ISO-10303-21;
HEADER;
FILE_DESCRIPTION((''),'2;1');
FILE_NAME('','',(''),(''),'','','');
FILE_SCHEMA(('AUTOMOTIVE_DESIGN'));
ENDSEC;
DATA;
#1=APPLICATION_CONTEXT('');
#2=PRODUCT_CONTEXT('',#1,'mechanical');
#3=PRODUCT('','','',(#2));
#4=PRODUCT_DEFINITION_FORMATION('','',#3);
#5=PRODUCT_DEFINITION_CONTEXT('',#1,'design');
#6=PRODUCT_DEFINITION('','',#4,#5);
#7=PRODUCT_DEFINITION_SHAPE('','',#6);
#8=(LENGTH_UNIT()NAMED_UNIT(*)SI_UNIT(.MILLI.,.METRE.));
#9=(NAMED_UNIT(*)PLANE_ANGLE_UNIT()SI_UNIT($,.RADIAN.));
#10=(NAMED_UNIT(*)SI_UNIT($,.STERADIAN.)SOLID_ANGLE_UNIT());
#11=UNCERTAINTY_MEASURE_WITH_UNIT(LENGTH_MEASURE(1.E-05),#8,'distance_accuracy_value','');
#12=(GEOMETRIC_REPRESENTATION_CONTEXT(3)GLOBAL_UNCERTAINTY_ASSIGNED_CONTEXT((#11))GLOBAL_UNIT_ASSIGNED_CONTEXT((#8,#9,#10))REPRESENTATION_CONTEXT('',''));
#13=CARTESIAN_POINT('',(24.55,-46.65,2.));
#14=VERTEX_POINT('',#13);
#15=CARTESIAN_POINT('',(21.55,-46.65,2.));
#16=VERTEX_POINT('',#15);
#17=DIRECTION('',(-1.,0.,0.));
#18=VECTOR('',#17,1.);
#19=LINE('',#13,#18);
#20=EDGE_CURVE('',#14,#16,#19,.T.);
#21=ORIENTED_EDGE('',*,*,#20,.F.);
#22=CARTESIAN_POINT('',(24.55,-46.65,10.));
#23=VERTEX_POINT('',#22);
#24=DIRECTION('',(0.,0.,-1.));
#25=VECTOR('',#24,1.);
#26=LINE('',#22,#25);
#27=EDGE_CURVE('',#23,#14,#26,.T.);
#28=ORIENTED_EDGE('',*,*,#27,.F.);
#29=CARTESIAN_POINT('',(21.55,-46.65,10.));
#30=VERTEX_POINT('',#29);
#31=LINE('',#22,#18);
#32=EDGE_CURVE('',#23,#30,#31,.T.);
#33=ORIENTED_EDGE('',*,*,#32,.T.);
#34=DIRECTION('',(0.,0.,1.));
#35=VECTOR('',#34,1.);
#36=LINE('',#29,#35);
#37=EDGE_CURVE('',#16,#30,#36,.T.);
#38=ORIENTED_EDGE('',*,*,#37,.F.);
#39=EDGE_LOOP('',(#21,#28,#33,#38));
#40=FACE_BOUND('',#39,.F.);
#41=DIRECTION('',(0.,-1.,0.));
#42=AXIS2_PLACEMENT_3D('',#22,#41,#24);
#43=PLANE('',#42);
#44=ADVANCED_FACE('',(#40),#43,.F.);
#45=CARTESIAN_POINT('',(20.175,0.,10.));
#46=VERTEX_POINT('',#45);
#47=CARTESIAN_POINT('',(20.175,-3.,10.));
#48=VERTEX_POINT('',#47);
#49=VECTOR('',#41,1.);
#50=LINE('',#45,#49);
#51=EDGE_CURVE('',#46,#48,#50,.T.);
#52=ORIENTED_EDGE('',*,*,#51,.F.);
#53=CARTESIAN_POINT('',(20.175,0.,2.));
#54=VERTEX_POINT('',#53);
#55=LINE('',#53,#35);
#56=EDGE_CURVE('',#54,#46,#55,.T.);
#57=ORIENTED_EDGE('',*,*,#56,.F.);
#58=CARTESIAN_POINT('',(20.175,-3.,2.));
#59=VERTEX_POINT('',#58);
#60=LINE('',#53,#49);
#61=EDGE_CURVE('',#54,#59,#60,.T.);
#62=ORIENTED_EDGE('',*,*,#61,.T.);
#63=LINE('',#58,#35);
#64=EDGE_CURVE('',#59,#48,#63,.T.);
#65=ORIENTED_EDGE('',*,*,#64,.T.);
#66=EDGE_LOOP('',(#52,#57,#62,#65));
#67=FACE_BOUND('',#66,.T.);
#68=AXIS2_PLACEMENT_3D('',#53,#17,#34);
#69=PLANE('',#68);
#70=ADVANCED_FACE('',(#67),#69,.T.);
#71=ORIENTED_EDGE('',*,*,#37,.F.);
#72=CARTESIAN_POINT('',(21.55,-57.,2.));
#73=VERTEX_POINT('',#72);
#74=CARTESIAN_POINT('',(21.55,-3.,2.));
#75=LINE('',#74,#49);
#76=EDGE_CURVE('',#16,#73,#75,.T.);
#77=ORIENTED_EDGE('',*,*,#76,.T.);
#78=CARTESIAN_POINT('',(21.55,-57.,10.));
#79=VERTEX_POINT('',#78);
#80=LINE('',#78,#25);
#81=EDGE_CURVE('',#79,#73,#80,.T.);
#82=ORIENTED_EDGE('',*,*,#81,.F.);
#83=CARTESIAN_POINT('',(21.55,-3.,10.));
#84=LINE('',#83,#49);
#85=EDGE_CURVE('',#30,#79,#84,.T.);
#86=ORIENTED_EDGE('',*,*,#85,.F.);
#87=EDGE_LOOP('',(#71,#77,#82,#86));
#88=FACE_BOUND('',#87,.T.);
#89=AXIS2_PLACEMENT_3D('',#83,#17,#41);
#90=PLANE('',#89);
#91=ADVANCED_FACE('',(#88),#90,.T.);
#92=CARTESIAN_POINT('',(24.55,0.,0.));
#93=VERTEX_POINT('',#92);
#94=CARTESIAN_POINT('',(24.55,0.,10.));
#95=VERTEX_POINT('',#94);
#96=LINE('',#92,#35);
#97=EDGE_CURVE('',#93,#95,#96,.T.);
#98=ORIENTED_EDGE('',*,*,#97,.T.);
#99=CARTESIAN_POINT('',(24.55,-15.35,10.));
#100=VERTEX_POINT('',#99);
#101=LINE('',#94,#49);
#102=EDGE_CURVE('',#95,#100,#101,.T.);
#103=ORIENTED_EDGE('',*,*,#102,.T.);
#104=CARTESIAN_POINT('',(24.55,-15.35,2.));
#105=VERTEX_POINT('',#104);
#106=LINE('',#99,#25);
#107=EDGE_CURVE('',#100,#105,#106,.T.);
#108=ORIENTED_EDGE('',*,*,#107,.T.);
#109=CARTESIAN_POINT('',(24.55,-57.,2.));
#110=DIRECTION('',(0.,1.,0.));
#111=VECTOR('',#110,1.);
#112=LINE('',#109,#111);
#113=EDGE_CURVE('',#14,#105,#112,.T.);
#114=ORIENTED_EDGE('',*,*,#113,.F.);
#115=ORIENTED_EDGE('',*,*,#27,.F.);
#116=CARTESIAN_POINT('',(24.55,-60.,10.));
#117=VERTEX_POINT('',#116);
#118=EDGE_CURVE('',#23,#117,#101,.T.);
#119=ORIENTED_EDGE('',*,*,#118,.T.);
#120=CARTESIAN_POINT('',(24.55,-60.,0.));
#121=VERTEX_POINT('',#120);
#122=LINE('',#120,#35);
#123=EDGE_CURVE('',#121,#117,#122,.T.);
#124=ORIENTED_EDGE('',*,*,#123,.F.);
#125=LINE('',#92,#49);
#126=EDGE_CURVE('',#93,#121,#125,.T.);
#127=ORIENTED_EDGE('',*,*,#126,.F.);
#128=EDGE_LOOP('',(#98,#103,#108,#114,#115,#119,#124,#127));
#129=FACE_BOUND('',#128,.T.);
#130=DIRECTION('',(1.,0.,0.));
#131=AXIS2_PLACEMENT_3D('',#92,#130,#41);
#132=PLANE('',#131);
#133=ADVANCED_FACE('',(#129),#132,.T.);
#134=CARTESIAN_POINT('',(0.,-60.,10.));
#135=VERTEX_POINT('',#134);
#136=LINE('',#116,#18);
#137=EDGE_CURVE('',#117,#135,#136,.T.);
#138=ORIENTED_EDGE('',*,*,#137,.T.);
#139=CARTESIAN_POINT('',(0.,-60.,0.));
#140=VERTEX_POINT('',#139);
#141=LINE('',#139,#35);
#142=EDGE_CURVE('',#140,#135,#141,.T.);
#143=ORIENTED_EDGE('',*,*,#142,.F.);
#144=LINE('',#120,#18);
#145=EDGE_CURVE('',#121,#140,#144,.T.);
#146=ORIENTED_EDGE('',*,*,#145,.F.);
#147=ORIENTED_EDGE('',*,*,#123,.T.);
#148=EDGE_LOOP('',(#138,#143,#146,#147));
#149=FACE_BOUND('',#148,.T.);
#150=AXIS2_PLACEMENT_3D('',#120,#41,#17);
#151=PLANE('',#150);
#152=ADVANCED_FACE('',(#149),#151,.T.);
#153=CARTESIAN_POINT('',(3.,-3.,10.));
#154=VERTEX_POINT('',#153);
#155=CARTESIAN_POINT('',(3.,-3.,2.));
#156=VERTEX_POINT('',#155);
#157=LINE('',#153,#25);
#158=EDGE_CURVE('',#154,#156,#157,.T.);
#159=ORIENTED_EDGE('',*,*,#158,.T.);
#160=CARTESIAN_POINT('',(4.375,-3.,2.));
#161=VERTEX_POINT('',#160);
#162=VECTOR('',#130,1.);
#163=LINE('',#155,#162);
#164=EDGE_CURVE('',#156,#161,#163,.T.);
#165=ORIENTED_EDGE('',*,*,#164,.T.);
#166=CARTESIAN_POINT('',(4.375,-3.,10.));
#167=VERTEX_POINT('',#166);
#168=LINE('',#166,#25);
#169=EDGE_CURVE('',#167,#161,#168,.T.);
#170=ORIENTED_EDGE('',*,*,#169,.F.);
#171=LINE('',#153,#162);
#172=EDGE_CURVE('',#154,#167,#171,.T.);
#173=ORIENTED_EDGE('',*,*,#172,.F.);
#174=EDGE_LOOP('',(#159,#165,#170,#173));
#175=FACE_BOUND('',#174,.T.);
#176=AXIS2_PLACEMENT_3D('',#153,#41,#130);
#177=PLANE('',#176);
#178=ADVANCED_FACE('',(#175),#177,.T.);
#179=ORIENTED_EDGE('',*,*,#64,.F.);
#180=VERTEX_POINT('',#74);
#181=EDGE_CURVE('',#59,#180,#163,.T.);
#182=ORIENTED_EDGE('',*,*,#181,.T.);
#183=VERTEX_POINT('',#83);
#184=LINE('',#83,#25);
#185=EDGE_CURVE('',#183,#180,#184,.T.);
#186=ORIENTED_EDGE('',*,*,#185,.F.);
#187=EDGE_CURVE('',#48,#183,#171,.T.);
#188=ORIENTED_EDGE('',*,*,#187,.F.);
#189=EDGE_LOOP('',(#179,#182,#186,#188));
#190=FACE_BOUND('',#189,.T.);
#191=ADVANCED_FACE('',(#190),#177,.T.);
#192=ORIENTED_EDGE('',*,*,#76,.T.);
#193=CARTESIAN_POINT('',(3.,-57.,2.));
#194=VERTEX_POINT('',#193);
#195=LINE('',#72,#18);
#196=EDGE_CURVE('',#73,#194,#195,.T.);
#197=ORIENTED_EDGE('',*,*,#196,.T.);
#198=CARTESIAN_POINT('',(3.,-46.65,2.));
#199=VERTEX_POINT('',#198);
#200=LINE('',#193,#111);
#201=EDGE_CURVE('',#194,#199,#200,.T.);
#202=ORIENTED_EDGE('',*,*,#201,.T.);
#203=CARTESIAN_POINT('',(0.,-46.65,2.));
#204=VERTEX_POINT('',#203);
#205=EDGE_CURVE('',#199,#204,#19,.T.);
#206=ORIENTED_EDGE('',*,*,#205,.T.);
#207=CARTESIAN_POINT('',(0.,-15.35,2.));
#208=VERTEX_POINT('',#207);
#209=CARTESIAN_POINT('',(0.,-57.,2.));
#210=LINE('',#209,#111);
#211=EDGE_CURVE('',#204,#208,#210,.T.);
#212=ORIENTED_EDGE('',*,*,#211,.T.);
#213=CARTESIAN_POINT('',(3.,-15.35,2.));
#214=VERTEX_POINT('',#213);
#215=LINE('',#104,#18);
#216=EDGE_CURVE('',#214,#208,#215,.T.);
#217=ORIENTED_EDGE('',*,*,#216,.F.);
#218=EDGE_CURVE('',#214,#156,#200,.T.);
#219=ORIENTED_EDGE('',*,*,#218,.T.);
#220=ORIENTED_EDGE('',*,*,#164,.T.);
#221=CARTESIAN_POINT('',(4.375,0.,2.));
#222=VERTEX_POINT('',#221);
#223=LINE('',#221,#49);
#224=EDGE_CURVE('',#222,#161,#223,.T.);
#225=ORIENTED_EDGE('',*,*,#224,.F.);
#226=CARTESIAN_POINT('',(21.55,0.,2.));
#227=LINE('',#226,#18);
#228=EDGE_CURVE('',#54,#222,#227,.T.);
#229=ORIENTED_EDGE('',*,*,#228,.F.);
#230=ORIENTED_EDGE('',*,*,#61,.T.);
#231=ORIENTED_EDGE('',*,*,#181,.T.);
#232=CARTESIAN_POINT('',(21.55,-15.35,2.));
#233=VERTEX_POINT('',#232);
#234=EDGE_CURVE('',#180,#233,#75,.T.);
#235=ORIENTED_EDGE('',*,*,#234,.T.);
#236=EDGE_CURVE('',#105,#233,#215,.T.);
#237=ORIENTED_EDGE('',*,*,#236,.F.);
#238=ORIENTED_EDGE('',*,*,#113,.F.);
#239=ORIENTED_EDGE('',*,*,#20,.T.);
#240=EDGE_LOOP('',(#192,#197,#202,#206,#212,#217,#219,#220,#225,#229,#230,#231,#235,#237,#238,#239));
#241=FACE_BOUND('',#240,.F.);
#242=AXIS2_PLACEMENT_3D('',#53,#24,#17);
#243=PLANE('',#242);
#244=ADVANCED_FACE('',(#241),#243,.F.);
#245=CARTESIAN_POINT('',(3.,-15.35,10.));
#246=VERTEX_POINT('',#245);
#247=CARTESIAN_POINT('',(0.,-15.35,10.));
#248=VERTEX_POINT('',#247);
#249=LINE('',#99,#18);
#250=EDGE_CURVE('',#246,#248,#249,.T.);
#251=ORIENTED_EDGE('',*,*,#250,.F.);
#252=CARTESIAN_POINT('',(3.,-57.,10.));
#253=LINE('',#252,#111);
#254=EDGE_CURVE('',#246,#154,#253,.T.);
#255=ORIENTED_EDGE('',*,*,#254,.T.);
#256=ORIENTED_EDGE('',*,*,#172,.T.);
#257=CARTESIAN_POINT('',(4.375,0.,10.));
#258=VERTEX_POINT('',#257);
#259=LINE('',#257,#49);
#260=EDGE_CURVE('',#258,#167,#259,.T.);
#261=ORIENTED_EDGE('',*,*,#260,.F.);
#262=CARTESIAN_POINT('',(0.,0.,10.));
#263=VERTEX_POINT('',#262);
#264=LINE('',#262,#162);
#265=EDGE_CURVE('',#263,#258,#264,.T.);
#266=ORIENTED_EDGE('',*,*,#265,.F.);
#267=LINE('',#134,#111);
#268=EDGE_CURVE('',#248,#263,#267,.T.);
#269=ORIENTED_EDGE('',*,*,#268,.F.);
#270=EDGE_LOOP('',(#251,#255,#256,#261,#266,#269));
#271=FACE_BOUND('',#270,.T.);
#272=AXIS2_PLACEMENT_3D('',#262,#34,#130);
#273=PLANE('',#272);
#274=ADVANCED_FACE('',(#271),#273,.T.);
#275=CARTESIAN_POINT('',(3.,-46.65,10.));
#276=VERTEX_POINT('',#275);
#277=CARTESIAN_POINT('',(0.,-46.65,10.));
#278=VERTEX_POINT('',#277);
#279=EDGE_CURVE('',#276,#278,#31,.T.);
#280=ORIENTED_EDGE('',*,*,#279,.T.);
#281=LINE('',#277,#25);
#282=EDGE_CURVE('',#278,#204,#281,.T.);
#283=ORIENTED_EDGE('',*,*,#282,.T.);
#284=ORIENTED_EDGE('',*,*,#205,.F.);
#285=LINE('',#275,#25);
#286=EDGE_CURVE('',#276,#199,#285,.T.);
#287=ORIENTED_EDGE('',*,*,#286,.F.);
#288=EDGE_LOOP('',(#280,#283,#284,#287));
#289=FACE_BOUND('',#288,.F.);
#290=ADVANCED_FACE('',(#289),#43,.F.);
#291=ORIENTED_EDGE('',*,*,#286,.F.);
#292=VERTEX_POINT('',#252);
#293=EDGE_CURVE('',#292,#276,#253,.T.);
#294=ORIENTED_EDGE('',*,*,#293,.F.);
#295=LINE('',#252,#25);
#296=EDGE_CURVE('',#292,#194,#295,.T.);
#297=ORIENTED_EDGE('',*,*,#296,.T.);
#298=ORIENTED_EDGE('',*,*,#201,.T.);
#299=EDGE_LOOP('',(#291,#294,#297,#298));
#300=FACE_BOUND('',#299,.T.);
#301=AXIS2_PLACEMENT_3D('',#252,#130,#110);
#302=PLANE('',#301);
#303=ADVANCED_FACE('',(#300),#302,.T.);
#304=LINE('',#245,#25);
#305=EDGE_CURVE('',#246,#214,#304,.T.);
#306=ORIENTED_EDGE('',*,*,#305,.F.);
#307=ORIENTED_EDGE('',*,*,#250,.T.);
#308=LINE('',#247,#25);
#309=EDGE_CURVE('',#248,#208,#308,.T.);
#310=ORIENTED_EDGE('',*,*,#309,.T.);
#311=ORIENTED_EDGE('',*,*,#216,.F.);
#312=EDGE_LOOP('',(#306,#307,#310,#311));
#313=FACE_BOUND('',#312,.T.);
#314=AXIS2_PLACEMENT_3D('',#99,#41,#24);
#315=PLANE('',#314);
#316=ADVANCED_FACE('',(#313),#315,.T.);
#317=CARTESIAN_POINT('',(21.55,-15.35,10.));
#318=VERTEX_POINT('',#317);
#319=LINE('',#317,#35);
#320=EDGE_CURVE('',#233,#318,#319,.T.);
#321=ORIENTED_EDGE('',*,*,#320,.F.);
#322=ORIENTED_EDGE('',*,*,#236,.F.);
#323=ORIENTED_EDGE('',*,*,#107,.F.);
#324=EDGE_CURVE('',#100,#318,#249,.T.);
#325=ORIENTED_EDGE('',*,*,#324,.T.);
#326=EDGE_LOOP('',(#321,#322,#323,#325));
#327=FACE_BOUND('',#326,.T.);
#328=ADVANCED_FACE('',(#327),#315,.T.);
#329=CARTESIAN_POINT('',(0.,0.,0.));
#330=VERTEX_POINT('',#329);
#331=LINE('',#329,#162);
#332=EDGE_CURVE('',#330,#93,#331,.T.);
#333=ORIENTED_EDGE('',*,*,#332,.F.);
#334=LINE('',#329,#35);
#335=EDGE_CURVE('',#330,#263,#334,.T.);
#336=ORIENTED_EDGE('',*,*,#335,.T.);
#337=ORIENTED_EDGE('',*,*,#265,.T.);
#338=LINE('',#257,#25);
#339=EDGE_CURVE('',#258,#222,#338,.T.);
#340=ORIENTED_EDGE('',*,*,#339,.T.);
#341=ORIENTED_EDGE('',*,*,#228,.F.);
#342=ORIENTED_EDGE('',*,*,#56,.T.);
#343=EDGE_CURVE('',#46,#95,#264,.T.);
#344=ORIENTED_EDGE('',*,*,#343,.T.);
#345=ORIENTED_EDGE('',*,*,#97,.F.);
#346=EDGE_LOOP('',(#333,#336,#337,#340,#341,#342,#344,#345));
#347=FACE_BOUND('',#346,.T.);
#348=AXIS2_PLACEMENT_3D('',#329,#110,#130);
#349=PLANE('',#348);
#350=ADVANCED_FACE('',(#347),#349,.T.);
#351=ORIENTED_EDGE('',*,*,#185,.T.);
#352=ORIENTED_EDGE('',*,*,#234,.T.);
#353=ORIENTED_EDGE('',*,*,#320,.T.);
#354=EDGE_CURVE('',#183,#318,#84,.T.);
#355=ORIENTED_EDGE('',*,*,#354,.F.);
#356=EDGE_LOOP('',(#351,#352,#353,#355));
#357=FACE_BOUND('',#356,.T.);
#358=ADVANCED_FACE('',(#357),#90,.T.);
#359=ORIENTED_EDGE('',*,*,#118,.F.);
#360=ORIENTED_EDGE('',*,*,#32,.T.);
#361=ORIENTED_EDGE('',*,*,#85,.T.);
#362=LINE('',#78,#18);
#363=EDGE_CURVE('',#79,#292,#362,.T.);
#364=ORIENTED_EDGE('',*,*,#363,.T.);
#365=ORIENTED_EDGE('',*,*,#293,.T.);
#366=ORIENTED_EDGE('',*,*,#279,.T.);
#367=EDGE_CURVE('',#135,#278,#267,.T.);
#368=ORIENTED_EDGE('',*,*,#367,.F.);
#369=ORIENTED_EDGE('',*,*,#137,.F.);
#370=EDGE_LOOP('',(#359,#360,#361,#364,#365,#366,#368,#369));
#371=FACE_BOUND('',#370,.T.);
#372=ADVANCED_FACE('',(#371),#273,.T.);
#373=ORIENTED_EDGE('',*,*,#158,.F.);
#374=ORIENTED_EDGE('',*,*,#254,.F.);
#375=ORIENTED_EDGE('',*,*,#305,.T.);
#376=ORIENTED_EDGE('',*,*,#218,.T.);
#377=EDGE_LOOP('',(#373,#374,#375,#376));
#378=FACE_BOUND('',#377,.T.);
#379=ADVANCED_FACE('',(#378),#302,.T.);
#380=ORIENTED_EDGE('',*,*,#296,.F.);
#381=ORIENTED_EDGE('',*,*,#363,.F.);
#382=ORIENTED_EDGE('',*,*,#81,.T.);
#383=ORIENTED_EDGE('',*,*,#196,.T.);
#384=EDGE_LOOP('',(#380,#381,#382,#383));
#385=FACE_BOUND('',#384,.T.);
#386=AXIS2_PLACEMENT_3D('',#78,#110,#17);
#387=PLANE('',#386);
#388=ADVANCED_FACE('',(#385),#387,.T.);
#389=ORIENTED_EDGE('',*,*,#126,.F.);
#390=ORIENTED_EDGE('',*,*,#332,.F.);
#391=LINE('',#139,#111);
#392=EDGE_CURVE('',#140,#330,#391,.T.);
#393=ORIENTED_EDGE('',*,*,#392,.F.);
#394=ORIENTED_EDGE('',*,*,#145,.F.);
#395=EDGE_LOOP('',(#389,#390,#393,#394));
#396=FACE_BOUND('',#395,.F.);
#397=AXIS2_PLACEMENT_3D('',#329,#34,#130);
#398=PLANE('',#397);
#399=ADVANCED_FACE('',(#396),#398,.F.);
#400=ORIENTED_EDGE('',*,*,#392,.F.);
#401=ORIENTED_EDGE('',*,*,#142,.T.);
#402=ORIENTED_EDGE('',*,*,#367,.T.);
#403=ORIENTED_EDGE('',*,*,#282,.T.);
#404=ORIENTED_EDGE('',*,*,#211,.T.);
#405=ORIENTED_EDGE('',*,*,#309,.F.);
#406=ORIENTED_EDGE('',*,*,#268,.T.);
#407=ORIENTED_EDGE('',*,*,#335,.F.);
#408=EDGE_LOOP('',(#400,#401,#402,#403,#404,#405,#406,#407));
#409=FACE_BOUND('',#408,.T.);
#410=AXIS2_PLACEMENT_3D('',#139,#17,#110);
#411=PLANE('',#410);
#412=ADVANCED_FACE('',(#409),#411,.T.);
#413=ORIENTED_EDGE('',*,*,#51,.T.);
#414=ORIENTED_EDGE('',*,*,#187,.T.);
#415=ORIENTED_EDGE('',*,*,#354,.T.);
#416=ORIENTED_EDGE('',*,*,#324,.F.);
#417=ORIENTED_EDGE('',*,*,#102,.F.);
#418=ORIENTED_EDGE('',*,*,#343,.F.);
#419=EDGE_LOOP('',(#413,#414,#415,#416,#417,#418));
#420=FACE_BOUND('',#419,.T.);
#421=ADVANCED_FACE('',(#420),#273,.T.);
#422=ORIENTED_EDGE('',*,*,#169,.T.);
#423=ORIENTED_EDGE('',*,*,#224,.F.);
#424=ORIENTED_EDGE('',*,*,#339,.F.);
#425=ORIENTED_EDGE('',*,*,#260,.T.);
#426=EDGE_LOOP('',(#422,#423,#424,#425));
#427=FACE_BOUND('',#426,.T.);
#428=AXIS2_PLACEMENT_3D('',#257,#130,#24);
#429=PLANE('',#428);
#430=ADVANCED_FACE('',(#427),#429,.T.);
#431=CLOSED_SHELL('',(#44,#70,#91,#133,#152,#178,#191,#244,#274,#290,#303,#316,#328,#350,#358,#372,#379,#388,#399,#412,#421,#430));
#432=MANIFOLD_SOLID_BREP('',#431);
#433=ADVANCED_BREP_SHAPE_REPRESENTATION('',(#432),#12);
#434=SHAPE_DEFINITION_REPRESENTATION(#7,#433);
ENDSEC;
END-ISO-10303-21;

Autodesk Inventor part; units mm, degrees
ref_plane "YZ Plane" through (0, 0, 0) normal (1, 0, 0) x (0, 1, 0)
ref_plane "XZ Plane" through (0, 0, 0) normal (0, 1, 0) x (-1, 0, 0)
ref_plane "XY Plane" through (0, 0, 0) normal (0, 0, 1) x (1, 0, 0)
sketch "Sketch1" plane through (0, 0, 0) normal (0, 0, 1) x (1, 0, 0)
  line L0 (0, 0) -> (24.55, 0)
  line L1 (24.55, 0) -> (24.55, -60)
  line L2 (24.55, -60) -> (0, -60)
  line L3 (0, -60) -> (0, 0)
  dimension "d0" = 24.55
  dimension "d1" = 60
extrude "Extrusion1" add sketch "Sketch1" along normal blind 10
sketch "Sketch2" plane through (0, 0, 10) normal (0, 0, 1) x (1, 0, 0)
  line L0 (24.55, 0) -> (0, 0) projected
  line L1 (3, -3) -> (21.55, -3)
  line L2 (21.55, -3) -> (21.55, -57)
  line L3 (21.55, -57) -> (3, -57)
  line L4 (3, -57) -> (3, -3)
  line L5 (0, -60) -> (24.55, -60) projected
  line L6 (24.55, -60) -> (24.55, 0) projected
  line L7 (0, 0) -> (0, -60) projected
  dimension "d8" = 3
  dimension "d9" = 3
  dimension "d10" = 3
  dimension "d11" = 3
extrude "Extrusion2" cut sketch "Sketch2" against normal blind 8 contours L1 L2 L3 L4
sketch "Sketch3" plane through (24.55, -60, 0) normal (1, 0, 0) x (0, 0, -1)
  line L0 (-10, 44.65) -> (-2, 44.65)
  line L1 (-2, 3) -> (-2, 57) projected
  line L2 (-10, 13.35) -> (-2, 13.35)
  line L3 (-2, 13.35) -> (-2, 44.65)
  line L4 (-10, 13.35) -> (-10, 44.65)
  line L5 (-10, 3) -> (-10, 57) projected
  line L6 (0, 60) -> (-10, 60) projected
  line L7 (0, 0) -> (-10, 0) projected
  dimension "d16" = 8
  dimension "d18" = 15.35
  dimension "d19" = 13.35
extrude "Extrusion3" cut sketch "Sketch3" against normal blind 24.55
sketch "Sketch4" plane through (0, 0, 0) normal (0, 1, 0) x (1, 0, 0)
  line L0 (4.375, -10) -> (4.375, -2)
  line L1 (21.55, -2) -> (3, -2) projected
  line L2 (4.375, -2) -> (20.175, -2)
  line L3 (20.175, -2) -> (20.175, -10)
  line L4 (20.175, -10) -> (4.375, -10)
  line L5 (24.55, 0) -> (24.55, -10) projected
  point P0 (0, 0)
  dimension "d23" = 15.8
  dimension "d24" = 4.375
  dimension "d25" = 8
  dimension "d26" = 15.8
extrude "Extrusion4" cut sketch "Sketch4" against normal blind 3
properties part number "tapaArduino"
